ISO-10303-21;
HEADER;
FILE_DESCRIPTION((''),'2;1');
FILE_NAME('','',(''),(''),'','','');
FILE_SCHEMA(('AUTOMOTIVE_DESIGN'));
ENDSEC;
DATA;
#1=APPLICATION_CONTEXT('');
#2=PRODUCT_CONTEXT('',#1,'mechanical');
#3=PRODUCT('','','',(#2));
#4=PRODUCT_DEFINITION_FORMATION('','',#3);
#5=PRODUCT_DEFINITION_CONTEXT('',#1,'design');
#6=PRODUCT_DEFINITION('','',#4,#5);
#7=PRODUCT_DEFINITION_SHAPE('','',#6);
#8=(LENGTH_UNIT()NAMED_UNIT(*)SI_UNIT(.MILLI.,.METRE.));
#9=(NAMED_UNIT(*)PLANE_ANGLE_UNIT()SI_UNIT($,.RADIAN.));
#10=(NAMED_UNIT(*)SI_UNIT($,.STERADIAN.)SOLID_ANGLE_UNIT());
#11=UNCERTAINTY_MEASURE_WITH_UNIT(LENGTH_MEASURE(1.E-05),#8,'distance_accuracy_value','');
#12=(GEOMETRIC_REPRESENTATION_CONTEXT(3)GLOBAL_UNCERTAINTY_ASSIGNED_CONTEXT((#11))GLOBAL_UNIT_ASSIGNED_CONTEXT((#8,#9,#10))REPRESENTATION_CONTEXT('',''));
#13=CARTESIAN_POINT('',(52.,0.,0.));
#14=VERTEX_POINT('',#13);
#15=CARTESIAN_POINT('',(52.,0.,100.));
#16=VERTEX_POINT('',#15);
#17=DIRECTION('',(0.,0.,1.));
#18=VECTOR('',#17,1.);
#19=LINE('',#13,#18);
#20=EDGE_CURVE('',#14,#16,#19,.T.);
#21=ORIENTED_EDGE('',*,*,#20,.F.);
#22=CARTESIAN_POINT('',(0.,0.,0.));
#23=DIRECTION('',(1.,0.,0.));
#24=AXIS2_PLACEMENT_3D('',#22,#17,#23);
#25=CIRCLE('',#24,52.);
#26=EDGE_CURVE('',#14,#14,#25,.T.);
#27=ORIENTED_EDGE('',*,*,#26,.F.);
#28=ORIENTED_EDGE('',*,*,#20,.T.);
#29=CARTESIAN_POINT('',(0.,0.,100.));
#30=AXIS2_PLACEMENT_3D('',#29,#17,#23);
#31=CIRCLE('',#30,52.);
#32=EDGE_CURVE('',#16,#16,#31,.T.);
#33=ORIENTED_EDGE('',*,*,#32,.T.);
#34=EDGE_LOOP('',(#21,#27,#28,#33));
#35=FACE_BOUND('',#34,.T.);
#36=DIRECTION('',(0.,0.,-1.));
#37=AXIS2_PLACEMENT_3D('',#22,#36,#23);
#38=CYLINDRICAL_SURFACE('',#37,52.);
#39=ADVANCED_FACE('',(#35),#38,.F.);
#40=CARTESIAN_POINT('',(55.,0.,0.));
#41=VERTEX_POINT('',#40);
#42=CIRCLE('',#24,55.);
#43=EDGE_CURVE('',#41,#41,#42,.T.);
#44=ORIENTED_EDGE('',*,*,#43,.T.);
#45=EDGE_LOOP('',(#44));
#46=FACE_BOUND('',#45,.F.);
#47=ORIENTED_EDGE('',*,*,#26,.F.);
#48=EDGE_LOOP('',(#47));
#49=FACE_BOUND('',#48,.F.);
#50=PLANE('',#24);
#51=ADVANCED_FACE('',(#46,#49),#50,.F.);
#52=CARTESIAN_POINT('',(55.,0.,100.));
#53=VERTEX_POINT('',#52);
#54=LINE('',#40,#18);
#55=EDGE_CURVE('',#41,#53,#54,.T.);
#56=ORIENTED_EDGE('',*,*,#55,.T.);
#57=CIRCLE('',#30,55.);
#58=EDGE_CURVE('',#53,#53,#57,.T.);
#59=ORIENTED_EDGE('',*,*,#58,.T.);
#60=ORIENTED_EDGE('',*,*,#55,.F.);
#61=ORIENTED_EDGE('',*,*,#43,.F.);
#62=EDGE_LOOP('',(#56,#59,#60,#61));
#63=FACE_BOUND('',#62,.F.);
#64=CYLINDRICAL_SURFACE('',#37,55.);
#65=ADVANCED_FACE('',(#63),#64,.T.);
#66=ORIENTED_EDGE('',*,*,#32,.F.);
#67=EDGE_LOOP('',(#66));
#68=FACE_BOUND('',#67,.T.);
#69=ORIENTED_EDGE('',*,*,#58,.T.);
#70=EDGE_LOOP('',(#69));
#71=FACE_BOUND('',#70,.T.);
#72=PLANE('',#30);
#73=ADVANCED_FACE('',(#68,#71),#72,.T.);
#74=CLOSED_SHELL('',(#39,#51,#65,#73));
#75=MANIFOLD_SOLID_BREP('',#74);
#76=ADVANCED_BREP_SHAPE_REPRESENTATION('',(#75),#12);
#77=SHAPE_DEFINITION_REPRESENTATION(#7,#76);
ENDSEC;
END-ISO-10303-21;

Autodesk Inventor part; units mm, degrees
ref_plane "YZ Plane" through (0, 0, 0) normal (1, 0, 0) x (0, 1, 0)
ref_plane "XZ Plane" through (0, 0, 0) normal (0, 1, 0) x (-1, 0, 0)
ref_plane "XY Plane" through (0, 0, 0) normal (0, 0, 1) x (1, 0, 0)
sketch "Sketch1" plane through (0, 0, 0) normal (0, 0, 1) x (1, 0, 0)
  circle A0 centre (0, 0) radius 55
  circle A1 centre (0, 0) radius 52
  dimension "d0" = 110
  dimension "d1" = 3
extrude "Extrusion1" add sketch "Sketch1" along normal blind 100
properties part number "DSB 111 outer tube" material "Stainless Steel"
